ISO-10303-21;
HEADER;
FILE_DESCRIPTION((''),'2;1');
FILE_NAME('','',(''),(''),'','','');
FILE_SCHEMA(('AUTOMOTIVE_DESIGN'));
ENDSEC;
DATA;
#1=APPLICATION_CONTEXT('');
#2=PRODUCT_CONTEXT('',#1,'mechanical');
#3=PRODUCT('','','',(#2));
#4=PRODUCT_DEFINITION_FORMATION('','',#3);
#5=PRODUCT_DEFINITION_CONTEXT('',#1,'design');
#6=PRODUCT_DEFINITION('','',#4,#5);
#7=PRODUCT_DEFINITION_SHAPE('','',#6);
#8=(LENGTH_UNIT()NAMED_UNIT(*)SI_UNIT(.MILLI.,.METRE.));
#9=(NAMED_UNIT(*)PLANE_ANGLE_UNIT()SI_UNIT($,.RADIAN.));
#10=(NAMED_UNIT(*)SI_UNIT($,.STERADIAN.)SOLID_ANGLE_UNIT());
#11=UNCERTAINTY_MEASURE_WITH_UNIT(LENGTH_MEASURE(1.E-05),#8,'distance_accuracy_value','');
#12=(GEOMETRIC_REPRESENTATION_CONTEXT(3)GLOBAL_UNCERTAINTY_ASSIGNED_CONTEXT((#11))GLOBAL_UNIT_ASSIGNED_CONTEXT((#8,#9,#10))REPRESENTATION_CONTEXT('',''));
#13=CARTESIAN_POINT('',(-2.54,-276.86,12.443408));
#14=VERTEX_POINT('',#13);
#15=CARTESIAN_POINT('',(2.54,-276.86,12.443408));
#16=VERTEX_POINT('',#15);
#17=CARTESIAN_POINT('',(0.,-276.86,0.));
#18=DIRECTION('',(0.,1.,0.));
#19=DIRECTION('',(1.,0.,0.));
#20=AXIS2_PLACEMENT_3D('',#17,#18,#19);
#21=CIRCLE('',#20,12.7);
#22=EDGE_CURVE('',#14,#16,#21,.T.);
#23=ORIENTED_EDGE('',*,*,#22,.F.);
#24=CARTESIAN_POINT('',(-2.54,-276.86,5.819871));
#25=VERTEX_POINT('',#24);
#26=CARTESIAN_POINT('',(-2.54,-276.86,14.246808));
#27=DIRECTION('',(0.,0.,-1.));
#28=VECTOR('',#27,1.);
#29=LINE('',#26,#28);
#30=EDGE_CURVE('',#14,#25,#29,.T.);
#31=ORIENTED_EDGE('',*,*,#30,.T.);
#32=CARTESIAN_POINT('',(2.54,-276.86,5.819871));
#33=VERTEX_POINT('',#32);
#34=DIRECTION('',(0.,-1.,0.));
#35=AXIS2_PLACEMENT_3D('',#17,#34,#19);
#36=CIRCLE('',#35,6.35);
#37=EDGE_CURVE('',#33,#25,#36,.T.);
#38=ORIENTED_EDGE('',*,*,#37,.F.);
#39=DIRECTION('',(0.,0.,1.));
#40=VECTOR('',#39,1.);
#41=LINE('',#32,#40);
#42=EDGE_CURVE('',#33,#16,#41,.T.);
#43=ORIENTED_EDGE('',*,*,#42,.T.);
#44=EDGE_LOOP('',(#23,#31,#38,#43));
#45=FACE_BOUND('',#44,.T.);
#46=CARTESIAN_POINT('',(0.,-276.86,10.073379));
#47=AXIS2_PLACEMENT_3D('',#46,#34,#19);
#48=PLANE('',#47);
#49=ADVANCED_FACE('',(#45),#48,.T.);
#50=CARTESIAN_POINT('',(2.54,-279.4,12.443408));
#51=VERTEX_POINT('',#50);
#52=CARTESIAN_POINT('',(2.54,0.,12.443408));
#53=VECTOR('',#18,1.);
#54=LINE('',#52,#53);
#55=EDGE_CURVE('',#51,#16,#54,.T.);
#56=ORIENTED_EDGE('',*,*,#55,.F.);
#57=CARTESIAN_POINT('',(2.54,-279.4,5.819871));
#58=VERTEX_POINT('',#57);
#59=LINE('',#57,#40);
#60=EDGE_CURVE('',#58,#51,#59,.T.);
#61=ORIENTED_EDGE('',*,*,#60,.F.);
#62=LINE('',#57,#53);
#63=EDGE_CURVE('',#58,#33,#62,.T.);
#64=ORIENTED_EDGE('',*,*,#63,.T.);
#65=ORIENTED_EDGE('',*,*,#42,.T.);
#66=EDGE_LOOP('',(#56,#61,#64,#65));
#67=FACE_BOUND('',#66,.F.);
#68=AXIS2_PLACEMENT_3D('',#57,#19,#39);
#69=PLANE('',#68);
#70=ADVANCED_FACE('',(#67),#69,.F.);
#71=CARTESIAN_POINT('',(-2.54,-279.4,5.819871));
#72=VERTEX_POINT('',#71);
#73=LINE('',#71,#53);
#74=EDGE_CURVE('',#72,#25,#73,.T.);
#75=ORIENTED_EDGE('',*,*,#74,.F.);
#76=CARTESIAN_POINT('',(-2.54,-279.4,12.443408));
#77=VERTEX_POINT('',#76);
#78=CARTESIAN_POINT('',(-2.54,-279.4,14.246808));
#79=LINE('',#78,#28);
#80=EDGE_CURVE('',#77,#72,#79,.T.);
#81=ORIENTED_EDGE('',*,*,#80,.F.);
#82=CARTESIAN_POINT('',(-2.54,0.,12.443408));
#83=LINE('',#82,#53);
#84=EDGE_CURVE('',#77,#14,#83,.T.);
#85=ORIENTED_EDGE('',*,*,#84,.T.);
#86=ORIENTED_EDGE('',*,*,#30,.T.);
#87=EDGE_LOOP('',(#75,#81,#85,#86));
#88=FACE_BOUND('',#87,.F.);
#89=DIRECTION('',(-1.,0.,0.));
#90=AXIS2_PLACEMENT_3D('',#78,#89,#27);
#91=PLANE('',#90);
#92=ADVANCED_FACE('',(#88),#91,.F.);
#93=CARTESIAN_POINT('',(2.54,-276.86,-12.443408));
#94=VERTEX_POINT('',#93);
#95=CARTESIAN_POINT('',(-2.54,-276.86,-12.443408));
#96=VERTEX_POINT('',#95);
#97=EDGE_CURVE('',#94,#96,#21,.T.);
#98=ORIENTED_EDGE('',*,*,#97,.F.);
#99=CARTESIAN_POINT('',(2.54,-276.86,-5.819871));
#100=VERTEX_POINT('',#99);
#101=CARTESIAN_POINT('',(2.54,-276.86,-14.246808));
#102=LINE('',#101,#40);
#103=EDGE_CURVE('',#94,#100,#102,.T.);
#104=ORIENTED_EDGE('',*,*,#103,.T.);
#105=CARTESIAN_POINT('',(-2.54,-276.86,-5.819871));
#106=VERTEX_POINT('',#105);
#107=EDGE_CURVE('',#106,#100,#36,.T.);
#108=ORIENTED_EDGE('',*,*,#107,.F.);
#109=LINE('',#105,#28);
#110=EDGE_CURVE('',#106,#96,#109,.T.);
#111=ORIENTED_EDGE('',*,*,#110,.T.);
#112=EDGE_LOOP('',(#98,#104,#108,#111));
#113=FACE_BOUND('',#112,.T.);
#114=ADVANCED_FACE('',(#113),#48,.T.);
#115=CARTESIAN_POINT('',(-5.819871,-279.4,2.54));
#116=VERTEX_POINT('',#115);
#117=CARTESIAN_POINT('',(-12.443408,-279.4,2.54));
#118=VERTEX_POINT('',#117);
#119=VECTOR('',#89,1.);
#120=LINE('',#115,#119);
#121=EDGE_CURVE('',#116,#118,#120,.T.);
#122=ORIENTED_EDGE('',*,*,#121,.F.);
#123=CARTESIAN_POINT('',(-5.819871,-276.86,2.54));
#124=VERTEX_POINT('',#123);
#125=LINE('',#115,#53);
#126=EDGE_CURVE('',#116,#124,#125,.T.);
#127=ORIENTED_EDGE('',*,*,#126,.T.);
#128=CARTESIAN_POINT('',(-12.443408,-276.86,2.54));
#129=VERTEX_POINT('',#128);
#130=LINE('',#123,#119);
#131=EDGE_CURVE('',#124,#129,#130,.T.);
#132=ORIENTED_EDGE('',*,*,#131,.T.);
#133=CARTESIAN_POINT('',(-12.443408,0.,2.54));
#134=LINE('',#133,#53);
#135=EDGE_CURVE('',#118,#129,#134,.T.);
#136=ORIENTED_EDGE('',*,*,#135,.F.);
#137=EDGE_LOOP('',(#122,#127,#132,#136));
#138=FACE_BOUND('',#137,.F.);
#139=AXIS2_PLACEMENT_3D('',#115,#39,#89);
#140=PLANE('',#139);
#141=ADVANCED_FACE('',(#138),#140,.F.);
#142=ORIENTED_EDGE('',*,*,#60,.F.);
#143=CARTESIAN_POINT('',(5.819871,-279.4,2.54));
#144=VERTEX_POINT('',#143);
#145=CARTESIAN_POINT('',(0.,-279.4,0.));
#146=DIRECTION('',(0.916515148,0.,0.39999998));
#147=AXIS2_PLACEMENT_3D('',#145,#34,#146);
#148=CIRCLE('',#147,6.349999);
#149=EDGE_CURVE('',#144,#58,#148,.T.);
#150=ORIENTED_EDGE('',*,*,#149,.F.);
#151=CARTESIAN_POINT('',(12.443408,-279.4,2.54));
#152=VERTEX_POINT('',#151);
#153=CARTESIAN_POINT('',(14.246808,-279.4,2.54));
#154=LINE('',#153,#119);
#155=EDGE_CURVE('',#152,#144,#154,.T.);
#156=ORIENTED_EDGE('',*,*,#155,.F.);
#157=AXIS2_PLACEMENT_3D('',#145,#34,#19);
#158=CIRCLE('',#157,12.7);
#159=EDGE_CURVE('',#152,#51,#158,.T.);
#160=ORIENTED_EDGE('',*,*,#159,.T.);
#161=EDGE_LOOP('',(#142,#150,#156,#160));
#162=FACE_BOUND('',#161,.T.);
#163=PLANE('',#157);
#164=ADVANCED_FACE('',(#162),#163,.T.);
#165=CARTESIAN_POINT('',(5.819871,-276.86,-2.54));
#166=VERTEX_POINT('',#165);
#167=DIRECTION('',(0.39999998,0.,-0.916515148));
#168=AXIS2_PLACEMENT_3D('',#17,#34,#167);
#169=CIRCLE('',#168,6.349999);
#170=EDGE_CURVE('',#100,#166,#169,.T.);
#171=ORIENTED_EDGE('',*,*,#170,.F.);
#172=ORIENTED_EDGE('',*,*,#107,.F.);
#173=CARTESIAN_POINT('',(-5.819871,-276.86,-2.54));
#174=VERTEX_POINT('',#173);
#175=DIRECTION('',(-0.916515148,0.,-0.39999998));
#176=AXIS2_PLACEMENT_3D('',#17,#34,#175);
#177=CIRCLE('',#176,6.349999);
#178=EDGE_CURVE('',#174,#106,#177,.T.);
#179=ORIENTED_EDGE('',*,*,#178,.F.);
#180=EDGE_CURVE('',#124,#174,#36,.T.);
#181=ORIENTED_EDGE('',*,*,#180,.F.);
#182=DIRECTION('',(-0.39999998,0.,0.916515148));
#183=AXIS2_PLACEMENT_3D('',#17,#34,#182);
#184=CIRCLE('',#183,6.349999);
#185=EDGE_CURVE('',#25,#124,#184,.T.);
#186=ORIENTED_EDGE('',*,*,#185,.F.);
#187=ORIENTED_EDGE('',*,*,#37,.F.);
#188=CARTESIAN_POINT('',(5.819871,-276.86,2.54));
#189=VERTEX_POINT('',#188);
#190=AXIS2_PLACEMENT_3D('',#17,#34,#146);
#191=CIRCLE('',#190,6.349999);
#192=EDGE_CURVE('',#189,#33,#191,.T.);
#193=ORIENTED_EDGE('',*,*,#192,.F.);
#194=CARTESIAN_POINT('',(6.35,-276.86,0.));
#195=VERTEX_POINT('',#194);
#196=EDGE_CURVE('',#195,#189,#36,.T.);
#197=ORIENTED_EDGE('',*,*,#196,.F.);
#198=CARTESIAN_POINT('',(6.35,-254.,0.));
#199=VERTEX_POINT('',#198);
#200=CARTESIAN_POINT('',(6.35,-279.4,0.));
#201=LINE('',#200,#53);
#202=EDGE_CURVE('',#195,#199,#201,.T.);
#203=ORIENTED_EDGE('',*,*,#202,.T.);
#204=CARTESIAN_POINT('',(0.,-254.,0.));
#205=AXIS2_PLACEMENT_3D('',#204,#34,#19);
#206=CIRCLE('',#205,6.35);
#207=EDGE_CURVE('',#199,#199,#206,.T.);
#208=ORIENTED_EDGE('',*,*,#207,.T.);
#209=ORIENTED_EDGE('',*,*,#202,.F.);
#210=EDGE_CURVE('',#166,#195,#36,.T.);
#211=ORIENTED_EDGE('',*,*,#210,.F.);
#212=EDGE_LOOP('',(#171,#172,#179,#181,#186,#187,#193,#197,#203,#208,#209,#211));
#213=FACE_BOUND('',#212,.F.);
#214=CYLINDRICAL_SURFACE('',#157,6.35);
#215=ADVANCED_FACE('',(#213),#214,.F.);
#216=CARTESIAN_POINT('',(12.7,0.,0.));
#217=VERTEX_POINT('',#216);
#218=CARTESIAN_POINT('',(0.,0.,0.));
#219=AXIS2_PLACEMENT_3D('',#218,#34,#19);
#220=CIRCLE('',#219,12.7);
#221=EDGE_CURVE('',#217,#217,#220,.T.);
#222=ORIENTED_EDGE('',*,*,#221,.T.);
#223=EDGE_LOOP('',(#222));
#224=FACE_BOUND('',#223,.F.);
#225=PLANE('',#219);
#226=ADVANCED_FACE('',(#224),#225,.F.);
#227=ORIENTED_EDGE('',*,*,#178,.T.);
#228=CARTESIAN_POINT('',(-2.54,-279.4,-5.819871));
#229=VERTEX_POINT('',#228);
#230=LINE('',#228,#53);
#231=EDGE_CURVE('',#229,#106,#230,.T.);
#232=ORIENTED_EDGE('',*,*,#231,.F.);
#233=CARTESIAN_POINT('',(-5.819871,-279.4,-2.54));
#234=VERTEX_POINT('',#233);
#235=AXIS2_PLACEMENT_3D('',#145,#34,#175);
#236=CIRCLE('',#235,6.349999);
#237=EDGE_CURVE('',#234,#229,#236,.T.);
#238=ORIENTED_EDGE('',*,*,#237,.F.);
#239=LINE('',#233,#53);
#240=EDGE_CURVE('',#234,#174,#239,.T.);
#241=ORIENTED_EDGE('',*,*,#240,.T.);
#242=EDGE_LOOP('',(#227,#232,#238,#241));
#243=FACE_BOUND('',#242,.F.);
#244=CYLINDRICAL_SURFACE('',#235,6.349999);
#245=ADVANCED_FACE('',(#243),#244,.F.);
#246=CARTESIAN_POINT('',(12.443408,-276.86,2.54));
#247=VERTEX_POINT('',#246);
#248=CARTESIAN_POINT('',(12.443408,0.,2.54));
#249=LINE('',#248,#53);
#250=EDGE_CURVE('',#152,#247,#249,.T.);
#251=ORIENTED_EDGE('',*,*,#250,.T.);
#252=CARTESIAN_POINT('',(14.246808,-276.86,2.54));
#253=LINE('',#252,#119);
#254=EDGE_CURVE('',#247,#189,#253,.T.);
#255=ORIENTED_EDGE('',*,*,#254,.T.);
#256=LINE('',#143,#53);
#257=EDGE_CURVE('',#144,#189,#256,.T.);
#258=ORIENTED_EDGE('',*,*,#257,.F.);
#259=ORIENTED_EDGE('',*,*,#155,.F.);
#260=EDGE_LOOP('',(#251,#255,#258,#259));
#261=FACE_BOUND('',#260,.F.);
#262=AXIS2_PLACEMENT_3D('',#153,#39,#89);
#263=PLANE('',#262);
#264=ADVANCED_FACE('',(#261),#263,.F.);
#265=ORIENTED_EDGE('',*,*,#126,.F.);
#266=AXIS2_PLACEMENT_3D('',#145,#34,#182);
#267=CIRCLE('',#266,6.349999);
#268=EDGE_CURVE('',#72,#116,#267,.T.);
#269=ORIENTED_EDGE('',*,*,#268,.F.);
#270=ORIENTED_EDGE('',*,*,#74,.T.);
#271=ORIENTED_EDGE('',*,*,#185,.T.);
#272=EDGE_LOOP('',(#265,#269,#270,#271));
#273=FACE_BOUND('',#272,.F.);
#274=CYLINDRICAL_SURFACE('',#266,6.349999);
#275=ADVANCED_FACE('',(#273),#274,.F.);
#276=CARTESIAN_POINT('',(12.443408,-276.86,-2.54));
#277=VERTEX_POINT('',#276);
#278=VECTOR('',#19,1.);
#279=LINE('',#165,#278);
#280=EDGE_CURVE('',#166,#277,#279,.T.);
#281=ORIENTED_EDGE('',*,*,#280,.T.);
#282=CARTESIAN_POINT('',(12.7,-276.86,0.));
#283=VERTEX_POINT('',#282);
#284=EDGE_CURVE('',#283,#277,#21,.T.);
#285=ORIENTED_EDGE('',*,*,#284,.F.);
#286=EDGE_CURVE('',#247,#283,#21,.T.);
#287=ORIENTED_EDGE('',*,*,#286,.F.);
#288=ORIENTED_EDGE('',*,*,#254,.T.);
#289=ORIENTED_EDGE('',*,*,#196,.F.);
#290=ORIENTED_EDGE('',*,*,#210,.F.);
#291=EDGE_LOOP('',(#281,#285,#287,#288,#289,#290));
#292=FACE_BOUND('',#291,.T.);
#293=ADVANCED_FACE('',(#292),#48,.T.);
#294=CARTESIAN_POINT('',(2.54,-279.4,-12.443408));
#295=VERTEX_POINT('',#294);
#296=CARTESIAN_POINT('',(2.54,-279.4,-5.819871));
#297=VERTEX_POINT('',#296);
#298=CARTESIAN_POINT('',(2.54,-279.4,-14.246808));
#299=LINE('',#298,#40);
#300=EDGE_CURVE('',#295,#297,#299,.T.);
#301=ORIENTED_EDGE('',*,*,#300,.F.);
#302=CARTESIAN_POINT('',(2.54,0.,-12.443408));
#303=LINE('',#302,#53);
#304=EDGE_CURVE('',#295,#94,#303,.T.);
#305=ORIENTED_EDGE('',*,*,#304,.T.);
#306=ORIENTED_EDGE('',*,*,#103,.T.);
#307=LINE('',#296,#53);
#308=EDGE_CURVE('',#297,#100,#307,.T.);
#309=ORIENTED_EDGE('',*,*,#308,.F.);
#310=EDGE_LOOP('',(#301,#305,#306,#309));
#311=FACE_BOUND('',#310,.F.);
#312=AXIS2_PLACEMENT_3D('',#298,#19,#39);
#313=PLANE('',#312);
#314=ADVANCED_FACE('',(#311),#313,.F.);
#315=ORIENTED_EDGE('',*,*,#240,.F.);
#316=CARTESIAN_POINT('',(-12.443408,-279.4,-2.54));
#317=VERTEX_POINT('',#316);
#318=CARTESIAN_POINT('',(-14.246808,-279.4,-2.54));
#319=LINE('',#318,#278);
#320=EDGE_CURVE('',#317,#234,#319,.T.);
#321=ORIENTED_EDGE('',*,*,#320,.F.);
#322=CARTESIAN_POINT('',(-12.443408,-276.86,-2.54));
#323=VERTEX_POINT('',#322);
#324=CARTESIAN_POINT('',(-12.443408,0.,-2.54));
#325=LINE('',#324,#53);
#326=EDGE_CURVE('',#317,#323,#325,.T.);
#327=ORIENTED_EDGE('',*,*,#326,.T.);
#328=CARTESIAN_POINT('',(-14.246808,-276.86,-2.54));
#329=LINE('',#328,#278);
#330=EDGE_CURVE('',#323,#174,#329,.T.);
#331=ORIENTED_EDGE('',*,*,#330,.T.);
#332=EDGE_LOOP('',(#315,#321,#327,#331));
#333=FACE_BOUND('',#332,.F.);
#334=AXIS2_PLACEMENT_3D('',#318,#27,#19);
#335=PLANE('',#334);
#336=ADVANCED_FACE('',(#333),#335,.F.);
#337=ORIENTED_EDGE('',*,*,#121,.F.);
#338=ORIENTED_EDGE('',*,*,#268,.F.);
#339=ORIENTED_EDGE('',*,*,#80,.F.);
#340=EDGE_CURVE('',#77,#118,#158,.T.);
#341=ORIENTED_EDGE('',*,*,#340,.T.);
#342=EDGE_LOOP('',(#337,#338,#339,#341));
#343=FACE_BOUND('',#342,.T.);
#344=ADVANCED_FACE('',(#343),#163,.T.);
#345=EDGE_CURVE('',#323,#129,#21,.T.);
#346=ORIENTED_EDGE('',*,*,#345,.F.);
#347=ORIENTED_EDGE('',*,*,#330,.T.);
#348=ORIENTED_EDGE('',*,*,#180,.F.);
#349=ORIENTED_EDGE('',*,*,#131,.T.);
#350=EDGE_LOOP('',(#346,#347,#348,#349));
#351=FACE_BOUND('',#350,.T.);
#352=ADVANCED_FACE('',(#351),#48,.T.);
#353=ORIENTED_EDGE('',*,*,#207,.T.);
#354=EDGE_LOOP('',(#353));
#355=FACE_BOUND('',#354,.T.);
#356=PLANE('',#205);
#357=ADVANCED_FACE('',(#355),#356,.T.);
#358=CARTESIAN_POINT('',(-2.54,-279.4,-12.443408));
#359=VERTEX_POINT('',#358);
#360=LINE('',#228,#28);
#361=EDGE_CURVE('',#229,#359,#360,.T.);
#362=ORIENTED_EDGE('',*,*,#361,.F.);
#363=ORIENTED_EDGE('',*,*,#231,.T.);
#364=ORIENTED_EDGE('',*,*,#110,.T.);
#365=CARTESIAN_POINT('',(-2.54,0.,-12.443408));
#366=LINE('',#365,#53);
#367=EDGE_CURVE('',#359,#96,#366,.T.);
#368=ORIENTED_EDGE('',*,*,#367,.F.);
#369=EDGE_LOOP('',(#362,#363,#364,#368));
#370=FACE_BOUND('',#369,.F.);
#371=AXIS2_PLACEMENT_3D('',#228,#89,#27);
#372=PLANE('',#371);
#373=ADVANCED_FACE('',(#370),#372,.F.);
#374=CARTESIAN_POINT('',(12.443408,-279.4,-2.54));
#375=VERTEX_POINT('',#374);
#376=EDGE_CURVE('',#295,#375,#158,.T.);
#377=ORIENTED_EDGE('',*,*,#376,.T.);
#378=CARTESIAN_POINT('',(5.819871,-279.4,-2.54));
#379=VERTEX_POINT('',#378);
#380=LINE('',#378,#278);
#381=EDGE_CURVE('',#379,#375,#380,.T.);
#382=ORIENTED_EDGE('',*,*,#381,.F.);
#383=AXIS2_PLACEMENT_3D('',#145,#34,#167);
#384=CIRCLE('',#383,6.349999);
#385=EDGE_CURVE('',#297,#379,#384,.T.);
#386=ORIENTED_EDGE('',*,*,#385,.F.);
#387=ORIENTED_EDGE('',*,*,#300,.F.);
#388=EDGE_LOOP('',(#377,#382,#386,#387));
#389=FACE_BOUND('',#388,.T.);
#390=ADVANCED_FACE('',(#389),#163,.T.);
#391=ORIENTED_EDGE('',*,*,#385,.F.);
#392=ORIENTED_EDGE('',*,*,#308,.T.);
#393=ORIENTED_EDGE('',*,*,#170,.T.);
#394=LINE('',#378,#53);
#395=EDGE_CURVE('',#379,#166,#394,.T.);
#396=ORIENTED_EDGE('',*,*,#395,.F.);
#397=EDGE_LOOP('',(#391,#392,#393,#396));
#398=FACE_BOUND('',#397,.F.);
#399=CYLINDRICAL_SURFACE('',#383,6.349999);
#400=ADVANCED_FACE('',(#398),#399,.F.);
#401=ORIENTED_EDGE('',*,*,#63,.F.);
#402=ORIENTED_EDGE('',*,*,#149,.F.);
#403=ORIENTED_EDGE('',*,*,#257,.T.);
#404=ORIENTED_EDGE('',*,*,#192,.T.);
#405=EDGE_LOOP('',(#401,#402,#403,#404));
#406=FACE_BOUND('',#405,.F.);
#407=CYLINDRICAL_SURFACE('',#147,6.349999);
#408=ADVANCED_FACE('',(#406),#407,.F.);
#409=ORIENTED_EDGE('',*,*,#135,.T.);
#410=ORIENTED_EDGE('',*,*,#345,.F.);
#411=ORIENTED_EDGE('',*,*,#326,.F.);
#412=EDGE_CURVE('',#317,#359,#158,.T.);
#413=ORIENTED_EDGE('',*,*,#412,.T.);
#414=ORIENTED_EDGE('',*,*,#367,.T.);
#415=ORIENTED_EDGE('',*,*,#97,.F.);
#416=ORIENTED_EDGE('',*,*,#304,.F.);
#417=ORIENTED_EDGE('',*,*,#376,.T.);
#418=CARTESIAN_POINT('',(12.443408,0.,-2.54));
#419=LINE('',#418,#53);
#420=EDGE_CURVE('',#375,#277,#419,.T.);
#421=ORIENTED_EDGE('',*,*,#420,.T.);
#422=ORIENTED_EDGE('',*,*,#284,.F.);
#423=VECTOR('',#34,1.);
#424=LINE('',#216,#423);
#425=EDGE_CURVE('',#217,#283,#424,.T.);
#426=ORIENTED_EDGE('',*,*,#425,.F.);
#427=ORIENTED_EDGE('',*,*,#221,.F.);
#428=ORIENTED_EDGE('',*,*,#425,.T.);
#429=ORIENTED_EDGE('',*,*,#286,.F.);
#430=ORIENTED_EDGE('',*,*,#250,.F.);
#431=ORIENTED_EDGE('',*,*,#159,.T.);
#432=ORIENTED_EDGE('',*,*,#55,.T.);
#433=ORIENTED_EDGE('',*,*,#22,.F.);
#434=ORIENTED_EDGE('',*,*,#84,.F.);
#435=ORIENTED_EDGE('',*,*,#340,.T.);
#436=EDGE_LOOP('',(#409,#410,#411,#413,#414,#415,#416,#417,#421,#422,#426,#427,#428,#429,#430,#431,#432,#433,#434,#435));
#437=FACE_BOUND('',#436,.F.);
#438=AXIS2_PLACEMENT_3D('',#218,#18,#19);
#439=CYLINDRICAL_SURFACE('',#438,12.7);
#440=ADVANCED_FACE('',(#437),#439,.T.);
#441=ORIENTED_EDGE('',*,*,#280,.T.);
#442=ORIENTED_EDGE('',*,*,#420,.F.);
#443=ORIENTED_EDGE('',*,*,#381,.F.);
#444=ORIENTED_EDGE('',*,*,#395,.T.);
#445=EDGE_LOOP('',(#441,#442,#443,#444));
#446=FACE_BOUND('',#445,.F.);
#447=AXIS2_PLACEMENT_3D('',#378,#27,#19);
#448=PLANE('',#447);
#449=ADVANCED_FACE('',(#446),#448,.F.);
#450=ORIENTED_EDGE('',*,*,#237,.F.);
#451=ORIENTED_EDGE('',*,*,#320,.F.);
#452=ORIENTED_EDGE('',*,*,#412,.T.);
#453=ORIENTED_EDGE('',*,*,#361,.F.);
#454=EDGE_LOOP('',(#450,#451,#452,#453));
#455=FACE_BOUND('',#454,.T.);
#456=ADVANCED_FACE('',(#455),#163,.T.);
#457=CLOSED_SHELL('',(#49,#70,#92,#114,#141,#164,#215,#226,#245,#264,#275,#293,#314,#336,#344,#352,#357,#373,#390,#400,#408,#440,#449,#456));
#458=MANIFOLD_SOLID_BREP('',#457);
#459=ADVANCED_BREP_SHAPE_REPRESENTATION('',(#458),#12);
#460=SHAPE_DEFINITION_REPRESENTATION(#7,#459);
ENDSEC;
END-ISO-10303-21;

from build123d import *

# Parameters (mm, degrees)
F0_R     = 12.7
F1_DEPTH = 279.4
F2_R     = 6.35
F3_DEPTH = 25.4
F5_DEPTH = 2.54


with BuildPart() as f1:
    # F0 (on Front) → F1 (new body)
    with BuildSketch(Plane.XZ):
        Circle(F0_R)
    extrude(amount=F1_DEPTH)

    # F2 (on face) → F3 (cut)
    with BuildSketch(Plane.XZ.offset(279.4)):
        Circle(F2_R)
    extrude(amount=-F3_DEPTH, mode=Mode.SUBTRACT)

    # F4 (on face) → F5 (cut)
    with BuildSketch(Plane.XZ.offset(279.4)):
        with BuildLine():
            Line((-2.54, 14.246808), (-2.54, 12.443408))
            Line((-2.54, 12.443408), (-2.54, 5.819871))
            ThreePointArc((-2.54, 5.819871), (0, 6.35), (2.54, 5.819871))
            Line((2.54, 5.819871), (2.54, 12.443408))
            Line((2.54, 12.443408), (2.54, 14.246808))
            Line((2.54, 14.246808), (-2.54, 14.246808))
        make_face()
        with BuildLine():
            ThreePointArc((2.54, 5.819871), (0, 6.35), (-2.54, 5.819871))
            ThreePointArc((-2.54, 5.819871), (-4.490128, 4.490128), (-5.819871, 2.54))
            ThreePointArc((-5.819871, 2.54), (-6.35, 0), (-5.819871, -2.54))
            ThreePointArc((-5.819871, -2.54), (-4.490128, -4.490128), (-2.54, -5.819871))
            ThreePointArc((-2.54, -5.819871), (0, -6.35), (2.54, -5.819871))
            ThreePointArc((2.54, -5.819871), (4.490128, -4.490128), (5.819871, -2.54))
            ThreePointArc((5.819871, -2.54), (6.216055, -1.297366), (6.35, 0))
            ThreePointArc((6.35, 0), (6.216055, 1.297366), (5.819871, 2.54))
            ThreePointArc((5.819871, 2.54), (4.490128, 4.490128), (2.54, 5.819871))
        make_face()
        with BuildLine():
            ThreePointArc((-5.819871, -2.54), (-6.35, 0), (-5.819871, 2.54))
            Line((-5.819871, 2.54), (-12.443408, 2.54))
            Line((-12.443408, 2.54), (-14.246808, 2.54))
            Line((-14.246808, 2.54), (-14.246808, -2.54))
            Line((-14.246808, -2.54), (-12.443408, -2.54))
            Line((-12.443408, -2.54), (-5.819871, -2.54))
        make_face()
        with BuildLine():
            Line((12.443408, 2.54), (5.819871, 2.54))
            ThreePointArc((5.819871, 2.54), (6.216055, 1.297366), (6.35, 0))
            ThreePointArc((6.35, 0), (6.216055, -1.297366), (5.819871, -2.54))
            Line((5.819871, -2.54), (12.443408, -2.54))
            Line((12.443408, -2.54), (14.246808, -2.54))
            Line((14.246808, -2.54), (14.246808, 2.54))
            Line((14.246808, 2.54), (12.443408, 2.54))
        make_face()
        with BuildLine():
            ThreePointArc((2.54, -5.819871), (0, -6.35), (-2.54, -5.819871))
            Line((-2.54, -5.819871), (-2.54, -12.443408))
            Line((-2.54, -12.443408), (-2.54, -14.246808))
            Line((-2.54, -14.246808), (2.54, -14.246808))
            Line((2.54, -14.246808), (2.54, -12.443408))
            Line((2.54, -12.443408), (2.54, -5.819871))
        make_face()
    extrude(amount=-F5_DEPTH, mode=Mode.SUBTRACT)


solid = f1.part
